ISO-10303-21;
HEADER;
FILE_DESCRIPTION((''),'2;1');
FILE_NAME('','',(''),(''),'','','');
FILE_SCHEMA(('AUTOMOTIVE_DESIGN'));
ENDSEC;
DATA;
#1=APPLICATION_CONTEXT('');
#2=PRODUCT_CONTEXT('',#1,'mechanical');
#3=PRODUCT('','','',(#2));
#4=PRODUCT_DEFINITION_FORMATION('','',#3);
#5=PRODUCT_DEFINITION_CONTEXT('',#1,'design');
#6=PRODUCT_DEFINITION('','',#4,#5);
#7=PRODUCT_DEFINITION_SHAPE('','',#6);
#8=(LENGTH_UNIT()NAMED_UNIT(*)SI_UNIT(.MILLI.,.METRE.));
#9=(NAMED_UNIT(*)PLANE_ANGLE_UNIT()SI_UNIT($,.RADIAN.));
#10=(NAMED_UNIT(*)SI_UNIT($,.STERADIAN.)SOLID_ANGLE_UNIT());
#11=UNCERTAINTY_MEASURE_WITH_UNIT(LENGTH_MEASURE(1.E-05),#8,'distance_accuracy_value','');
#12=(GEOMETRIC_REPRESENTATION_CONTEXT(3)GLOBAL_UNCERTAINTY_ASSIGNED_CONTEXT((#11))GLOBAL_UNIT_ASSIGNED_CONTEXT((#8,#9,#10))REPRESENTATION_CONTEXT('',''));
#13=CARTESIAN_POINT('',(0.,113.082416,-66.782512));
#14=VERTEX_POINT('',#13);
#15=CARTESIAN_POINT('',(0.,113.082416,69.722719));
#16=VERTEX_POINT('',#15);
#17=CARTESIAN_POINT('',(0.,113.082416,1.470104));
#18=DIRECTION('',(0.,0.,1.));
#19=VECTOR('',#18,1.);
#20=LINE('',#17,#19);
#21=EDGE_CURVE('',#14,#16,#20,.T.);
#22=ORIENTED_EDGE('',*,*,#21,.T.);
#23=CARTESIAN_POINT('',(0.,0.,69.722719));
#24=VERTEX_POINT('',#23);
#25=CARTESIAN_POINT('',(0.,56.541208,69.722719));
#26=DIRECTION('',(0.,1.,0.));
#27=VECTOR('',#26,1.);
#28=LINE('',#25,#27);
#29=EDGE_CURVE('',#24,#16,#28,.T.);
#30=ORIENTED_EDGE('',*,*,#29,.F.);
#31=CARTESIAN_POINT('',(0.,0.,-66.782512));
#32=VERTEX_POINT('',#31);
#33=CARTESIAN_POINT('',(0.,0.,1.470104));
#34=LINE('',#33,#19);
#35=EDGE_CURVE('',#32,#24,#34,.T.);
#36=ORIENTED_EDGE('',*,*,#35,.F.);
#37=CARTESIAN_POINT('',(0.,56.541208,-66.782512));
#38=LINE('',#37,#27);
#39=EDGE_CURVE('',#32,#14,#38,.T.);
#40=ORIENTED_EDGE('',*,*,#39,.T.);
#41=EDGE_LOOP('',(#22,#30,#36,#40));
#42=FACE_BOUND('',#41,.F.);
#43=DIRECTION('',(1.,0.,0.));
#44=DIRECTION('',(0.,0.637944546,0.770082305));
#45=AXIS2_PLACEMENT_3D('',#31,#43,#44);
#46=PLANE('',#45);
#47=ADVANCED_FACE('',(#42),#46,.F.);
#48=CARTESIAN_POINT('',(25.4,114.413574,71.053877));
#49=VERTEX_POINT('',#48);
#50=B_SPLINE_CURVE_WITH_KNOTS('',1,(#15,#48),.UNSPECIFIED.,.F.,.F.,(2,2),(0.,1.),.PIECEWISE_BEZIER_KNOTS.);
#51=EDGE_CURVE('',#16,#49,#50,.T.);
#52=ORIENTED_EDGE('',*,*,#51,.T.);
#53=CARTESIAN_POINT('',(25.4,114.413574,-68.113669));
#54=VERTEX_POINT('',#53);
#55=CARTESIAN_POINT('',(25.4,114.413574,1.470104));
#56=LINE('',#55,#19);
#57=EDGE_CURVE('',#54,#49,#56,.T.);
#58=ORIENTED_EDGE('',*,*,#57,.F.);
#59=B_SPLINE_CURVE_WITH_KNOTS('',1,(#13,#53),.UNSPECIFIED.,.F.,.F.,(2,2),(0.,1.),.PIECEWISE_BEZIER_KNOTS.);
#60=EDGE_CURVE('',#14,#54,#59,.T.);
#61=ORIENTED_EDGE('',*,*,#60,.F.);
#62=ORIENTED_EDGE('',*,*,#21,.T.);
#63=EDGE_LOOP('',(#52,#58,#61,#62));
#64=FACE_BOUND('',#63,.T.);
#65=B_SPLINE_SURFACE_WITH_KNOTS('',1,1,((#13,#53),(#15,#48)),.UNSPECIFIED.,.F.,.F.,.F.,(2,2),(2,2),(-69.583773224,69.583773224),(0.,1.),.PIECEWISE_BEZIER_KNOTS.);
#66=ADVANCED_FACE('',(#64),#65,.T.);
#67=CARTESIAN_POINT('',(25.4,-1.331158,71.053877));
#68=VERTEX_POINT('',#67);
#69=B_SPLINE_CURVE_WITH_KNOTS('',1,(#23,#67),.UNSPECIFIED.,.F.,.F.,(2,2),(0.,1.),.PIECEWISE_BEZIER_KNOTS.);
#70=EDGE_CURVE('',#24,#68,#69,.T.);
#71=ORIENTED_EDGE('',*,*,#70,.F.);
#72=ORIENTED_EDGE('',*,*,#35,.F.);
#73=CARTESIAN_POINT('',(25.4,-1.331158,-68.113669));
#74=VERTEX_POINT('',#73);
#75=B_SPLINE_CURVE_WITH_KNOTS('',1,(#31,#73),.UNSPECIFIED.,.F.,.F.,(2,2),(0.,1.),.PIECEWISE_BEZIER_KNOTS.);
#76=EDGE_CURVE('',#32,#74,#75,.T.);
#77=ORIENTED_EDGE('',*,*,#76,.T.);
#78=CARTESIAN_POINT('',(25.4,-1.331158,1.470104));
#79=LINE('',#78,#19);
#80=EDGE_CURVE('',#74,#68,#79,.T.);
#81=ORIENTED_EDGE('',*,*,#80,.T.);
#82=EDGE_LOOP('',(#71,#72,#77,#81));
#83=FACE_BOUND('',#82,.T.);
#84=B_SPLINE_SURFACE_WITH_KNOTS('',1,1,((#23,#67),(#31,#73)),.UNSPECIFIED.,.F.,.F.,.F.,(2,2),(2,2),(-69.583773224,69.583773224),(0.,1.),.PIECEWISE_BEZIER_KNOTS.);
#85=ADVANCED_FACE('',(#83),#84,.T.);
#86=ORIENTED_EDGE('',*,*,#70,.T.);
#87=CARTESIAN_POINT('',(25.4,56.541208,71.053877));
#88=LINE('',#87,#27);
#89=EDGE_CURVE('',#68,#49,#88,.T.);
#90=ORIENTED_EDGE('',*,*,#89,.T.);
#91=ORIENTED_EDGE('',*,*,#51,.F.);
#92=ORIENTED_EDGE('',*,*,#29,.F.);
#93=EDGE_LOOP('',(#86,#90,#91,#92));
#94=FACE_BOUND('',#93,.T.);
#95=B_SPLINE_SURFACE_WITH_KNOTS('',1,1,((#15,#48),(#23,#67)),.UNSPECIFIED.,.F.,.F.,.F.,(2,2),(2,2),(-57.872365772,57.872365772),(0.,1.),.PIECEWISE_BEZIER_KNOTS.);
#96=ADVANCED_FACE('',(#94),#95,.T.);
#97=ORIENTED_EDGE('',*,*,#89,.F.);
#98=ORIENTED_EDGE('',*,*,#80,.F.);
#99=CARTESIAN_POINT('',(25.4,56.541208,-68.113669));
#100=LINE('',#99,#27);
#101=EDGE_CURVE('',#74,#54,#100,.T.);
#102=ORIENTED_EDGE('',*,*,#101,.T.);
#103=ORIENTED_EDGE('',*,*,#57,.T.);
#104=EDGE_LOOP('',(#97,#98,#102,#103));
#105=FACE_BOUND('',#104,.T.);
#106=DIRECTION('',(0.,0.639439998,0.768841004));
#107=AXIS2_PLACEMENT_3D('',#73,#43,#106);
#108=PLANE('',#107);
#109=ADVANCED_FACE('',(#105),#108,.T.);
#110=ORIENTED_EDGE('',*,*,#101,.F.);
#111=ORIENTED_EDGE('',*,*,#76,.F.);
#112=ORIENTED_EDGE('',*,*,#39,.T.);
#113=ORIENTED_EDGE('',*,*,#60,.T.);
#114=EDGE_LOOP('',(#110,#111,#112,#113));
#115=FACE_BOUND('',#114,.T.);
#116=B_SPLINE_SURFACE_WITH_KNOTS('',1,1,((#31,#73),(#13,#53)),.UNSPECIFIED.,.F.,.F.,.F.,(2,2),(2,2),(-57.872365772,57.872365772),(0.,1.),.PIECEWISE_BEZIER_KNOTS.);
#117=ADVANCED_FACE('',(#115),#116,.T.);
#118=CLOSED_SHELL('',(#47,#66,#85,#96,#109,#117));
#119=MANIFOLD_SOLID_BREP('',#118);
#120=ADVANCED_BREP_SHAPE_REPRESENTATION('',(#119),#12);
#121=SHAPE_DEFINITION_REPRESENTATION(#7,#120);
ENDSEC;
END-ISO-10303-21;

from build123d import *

# Parameters (mm, degrees)
F0_W     = 113.0824163556
F0_H     = 136.5052312613
F1_DEPTH = 25.4
F1_TAPER = -3


with BuildPart() as f1:
    # F0 (on Right) → F1 (new body)
    with BuildSketch(Plane.YZ):
        with Locations((56.5412081778, 1.4701038599)):
            Rectangle(F0_W, F0_H)
    extrude(amount=F1_DEPTH, taper=F1_TAPER)


solid = f1.part
